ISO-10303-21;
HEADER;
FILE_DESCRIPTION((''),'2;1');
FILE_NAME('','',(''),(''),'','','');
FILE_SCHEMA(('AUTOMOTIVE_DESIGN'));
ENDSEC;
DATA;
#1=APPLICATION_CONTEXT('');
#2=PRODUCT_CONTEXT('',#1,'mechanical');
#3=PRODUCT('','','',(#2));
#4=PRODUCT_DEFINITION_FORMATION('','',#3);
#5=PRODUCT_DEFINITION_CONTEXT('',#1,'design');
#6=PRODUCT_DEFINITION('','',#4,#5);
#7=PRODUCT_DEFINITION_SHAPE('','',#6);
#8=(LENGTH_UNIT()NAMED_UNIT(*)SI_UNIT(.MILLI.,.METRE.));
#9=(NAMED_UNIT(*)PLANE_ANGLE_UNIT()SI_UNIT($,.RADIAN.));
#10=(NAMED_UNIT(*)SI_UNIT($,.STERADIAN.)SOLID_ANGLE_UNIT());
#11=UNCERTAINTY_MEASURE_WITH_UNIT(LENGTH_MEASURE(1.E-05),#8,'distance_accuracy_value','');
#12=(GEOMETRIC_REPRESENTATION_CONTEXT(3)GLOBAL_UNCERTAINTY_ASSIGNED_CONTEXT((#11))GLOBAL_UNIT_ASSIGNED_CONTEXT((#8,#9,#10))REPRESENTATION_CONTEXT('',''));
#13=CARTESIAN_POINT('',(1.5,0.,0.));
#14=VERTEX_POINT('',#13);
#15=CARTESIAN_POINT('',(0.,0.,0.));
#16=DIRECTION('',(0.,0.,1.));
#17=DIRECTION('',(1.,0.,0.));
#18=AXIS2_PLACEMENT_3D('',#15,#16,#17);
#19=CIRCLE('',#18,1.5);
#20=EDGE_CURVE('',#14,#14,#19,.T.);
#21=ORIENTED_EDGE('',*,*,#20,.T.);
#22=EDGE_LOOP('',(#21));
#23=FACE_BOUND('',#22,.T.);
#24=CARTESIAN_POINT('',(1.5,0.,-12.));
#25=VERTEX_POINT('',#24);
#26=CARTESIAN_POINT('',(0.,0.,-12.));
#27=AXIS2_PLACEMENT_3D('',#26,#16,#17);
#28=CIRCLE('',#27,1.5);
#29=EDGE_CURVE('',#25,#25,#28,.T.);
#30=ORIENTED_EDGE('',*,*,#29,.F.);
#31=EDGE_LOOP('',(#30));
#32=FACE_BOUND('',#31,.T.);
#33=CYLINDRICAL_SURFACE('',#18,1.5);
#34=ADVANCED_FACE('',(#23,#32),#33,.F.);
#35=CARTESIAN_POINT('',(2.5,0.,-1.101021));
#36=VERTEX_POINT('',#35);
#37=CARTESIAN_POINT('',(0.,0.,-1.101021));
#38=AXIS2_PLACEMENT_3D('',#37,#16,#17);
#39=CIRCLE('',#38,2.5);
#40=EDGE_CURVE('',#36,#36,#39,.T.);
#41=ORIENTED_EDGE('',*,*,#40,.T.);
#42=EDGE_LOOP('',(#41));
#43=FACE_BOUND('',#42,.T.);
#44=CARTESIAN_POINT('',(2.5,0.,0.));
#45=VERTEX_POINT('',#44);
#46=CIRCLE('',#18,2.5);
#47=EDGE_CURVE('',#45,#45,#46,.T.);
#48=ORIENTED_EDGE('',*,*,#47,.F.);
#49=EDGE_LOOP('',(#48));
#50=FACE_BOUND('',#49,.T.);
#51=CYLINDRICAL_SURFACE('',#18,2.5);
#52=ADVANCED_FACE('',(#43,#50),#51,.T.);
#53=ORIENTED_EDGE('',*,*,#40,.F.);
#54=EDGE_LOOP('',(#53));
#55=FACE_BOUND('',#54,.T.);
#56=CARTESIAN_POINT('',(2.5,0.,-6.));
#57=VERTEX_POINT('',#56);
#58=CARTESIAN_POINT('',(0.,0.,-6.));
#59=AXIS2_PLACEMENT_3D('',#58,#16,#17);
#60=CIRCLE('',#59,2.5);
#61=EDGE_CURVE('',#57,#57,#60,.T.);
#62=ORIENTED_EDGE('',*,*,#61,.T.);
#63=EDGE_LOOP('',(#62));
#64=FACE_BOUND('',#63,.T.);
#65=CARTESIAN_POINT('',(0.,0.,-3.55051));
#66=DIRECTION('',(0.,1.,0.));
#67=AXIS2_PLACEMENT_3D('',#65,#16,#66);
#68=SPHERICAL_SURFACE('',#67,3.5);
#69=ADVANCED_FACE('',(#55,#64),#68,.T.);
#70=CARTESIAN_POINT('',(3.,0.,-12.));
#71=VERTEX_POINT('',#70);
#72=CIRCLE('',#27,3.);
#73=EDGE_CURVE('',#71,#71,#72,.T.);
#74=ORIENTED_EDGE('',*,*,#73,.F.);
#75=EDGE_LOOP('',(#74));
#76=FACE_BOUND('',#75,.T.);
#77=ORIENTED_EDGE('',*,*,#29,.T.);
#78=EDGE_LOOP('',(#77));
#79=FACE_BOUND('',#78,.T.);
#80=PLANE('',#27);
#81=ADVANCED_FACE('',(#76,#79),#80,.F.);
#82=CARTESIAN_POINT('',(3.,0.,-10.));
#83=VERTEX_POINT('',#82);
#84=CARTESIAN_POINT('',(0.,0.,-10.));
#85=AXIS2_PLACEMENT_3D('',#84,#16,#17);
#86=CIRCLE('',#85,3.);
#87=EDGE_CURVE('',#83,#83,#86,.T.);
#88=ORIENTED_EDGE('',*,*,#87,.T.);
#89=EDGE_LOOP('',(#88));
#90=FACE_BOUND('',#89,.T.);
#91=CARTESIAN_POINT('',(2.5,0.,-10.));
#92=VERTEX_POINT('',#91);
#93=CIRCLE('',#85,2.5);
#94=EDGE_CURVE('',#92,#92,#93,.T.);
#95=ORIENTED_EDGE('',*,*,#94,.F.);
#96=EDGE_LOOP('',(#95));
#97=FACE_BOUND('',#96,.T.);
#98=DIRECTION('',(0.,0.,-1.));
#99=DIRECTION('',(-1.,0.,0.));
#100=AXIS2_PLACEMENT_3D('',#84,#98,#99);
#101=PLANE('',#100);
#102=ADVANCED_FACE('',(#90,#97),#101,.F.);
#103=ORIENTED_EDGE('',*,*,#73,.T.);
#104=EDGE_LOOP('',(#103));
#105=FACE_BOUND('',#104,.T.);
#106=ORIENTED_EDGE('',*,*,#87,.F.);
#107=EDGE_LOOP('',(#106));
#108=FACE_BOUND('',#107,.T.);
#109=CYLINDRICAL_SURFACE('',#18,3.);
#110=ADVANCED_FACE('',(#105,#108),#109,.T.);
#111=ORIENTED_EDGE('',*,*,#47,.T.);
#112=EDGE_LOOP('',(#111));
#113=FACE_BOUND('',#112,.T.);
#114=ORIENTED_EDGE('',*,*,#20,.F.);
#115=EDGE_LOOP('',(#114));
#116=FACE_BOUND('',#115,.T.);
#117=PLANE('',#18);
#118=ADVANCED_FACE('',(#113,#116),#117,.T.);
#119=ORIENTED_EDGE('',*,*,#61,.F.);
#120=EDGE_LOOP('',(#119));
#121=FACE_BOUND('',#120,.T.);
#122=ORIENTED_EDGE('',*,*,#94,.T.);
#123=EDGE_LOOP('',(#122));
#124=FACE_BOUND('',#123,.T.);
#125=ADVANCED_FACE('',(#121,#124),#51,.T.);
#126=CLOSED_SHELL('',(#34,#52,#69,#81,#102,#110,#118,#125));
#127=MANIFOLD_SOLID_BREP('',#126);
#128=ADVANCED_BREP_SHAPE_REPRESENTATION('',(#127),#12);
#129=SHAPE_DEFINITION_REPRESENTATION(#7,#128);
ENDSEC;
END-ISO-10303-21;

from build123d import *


with BuildPart() as part:
    # Sketch1 → Revolve1 (revolve)
    with BuildSketch(Plane(origin=(0, 0, 0), x_dir=(0, 0, -1), z_dir=(1, 0, 0))):
        with BuildLine():
            Line((0.388232597, 1.5), (6.712787917, 1.5))
            ThreePointArc((6.712787917, 1.5), (6.400595054, 2.031506006), (6, 2.5))
            ThreePointArc((6, 2.5), (3.550510257, 3.5), (1.101020514, 2.5))
            ThreePointArc((1.101020514, 2.5), (0.700425461, 2.031506006), (0.388232597, 1.5))
        make_face()
        with BuildLine():
            Line((6.712787917, 1.5), (12, 1.5))
            Line((12, 1.5), (12, 3))
            Line((12, 3), (10, 3))
            Line((10, 3), (10, 2.5))
            Line((10, 2.5), (6, 2.5))
            ThreePointArc((6, 2.5), (6.400595054, 2.031506006), (6.712787917, 1.5))
        make_face()
        with BuildLine():
            Line((0, 1.5), (0.388232597, 1.5))
            ThreePointArc((0.388232597, 1.5), (0.700425461, 2.031506006), (1.101020514, 2.5))
            Line((1.101020514, 2.5), (0, 2.5))
            Line((0, 2.5), (0, 1.5))
        make_face()
    revolve(axis=Axis((0, 0, 0), (0, 0, -1)))


solid = part.part
